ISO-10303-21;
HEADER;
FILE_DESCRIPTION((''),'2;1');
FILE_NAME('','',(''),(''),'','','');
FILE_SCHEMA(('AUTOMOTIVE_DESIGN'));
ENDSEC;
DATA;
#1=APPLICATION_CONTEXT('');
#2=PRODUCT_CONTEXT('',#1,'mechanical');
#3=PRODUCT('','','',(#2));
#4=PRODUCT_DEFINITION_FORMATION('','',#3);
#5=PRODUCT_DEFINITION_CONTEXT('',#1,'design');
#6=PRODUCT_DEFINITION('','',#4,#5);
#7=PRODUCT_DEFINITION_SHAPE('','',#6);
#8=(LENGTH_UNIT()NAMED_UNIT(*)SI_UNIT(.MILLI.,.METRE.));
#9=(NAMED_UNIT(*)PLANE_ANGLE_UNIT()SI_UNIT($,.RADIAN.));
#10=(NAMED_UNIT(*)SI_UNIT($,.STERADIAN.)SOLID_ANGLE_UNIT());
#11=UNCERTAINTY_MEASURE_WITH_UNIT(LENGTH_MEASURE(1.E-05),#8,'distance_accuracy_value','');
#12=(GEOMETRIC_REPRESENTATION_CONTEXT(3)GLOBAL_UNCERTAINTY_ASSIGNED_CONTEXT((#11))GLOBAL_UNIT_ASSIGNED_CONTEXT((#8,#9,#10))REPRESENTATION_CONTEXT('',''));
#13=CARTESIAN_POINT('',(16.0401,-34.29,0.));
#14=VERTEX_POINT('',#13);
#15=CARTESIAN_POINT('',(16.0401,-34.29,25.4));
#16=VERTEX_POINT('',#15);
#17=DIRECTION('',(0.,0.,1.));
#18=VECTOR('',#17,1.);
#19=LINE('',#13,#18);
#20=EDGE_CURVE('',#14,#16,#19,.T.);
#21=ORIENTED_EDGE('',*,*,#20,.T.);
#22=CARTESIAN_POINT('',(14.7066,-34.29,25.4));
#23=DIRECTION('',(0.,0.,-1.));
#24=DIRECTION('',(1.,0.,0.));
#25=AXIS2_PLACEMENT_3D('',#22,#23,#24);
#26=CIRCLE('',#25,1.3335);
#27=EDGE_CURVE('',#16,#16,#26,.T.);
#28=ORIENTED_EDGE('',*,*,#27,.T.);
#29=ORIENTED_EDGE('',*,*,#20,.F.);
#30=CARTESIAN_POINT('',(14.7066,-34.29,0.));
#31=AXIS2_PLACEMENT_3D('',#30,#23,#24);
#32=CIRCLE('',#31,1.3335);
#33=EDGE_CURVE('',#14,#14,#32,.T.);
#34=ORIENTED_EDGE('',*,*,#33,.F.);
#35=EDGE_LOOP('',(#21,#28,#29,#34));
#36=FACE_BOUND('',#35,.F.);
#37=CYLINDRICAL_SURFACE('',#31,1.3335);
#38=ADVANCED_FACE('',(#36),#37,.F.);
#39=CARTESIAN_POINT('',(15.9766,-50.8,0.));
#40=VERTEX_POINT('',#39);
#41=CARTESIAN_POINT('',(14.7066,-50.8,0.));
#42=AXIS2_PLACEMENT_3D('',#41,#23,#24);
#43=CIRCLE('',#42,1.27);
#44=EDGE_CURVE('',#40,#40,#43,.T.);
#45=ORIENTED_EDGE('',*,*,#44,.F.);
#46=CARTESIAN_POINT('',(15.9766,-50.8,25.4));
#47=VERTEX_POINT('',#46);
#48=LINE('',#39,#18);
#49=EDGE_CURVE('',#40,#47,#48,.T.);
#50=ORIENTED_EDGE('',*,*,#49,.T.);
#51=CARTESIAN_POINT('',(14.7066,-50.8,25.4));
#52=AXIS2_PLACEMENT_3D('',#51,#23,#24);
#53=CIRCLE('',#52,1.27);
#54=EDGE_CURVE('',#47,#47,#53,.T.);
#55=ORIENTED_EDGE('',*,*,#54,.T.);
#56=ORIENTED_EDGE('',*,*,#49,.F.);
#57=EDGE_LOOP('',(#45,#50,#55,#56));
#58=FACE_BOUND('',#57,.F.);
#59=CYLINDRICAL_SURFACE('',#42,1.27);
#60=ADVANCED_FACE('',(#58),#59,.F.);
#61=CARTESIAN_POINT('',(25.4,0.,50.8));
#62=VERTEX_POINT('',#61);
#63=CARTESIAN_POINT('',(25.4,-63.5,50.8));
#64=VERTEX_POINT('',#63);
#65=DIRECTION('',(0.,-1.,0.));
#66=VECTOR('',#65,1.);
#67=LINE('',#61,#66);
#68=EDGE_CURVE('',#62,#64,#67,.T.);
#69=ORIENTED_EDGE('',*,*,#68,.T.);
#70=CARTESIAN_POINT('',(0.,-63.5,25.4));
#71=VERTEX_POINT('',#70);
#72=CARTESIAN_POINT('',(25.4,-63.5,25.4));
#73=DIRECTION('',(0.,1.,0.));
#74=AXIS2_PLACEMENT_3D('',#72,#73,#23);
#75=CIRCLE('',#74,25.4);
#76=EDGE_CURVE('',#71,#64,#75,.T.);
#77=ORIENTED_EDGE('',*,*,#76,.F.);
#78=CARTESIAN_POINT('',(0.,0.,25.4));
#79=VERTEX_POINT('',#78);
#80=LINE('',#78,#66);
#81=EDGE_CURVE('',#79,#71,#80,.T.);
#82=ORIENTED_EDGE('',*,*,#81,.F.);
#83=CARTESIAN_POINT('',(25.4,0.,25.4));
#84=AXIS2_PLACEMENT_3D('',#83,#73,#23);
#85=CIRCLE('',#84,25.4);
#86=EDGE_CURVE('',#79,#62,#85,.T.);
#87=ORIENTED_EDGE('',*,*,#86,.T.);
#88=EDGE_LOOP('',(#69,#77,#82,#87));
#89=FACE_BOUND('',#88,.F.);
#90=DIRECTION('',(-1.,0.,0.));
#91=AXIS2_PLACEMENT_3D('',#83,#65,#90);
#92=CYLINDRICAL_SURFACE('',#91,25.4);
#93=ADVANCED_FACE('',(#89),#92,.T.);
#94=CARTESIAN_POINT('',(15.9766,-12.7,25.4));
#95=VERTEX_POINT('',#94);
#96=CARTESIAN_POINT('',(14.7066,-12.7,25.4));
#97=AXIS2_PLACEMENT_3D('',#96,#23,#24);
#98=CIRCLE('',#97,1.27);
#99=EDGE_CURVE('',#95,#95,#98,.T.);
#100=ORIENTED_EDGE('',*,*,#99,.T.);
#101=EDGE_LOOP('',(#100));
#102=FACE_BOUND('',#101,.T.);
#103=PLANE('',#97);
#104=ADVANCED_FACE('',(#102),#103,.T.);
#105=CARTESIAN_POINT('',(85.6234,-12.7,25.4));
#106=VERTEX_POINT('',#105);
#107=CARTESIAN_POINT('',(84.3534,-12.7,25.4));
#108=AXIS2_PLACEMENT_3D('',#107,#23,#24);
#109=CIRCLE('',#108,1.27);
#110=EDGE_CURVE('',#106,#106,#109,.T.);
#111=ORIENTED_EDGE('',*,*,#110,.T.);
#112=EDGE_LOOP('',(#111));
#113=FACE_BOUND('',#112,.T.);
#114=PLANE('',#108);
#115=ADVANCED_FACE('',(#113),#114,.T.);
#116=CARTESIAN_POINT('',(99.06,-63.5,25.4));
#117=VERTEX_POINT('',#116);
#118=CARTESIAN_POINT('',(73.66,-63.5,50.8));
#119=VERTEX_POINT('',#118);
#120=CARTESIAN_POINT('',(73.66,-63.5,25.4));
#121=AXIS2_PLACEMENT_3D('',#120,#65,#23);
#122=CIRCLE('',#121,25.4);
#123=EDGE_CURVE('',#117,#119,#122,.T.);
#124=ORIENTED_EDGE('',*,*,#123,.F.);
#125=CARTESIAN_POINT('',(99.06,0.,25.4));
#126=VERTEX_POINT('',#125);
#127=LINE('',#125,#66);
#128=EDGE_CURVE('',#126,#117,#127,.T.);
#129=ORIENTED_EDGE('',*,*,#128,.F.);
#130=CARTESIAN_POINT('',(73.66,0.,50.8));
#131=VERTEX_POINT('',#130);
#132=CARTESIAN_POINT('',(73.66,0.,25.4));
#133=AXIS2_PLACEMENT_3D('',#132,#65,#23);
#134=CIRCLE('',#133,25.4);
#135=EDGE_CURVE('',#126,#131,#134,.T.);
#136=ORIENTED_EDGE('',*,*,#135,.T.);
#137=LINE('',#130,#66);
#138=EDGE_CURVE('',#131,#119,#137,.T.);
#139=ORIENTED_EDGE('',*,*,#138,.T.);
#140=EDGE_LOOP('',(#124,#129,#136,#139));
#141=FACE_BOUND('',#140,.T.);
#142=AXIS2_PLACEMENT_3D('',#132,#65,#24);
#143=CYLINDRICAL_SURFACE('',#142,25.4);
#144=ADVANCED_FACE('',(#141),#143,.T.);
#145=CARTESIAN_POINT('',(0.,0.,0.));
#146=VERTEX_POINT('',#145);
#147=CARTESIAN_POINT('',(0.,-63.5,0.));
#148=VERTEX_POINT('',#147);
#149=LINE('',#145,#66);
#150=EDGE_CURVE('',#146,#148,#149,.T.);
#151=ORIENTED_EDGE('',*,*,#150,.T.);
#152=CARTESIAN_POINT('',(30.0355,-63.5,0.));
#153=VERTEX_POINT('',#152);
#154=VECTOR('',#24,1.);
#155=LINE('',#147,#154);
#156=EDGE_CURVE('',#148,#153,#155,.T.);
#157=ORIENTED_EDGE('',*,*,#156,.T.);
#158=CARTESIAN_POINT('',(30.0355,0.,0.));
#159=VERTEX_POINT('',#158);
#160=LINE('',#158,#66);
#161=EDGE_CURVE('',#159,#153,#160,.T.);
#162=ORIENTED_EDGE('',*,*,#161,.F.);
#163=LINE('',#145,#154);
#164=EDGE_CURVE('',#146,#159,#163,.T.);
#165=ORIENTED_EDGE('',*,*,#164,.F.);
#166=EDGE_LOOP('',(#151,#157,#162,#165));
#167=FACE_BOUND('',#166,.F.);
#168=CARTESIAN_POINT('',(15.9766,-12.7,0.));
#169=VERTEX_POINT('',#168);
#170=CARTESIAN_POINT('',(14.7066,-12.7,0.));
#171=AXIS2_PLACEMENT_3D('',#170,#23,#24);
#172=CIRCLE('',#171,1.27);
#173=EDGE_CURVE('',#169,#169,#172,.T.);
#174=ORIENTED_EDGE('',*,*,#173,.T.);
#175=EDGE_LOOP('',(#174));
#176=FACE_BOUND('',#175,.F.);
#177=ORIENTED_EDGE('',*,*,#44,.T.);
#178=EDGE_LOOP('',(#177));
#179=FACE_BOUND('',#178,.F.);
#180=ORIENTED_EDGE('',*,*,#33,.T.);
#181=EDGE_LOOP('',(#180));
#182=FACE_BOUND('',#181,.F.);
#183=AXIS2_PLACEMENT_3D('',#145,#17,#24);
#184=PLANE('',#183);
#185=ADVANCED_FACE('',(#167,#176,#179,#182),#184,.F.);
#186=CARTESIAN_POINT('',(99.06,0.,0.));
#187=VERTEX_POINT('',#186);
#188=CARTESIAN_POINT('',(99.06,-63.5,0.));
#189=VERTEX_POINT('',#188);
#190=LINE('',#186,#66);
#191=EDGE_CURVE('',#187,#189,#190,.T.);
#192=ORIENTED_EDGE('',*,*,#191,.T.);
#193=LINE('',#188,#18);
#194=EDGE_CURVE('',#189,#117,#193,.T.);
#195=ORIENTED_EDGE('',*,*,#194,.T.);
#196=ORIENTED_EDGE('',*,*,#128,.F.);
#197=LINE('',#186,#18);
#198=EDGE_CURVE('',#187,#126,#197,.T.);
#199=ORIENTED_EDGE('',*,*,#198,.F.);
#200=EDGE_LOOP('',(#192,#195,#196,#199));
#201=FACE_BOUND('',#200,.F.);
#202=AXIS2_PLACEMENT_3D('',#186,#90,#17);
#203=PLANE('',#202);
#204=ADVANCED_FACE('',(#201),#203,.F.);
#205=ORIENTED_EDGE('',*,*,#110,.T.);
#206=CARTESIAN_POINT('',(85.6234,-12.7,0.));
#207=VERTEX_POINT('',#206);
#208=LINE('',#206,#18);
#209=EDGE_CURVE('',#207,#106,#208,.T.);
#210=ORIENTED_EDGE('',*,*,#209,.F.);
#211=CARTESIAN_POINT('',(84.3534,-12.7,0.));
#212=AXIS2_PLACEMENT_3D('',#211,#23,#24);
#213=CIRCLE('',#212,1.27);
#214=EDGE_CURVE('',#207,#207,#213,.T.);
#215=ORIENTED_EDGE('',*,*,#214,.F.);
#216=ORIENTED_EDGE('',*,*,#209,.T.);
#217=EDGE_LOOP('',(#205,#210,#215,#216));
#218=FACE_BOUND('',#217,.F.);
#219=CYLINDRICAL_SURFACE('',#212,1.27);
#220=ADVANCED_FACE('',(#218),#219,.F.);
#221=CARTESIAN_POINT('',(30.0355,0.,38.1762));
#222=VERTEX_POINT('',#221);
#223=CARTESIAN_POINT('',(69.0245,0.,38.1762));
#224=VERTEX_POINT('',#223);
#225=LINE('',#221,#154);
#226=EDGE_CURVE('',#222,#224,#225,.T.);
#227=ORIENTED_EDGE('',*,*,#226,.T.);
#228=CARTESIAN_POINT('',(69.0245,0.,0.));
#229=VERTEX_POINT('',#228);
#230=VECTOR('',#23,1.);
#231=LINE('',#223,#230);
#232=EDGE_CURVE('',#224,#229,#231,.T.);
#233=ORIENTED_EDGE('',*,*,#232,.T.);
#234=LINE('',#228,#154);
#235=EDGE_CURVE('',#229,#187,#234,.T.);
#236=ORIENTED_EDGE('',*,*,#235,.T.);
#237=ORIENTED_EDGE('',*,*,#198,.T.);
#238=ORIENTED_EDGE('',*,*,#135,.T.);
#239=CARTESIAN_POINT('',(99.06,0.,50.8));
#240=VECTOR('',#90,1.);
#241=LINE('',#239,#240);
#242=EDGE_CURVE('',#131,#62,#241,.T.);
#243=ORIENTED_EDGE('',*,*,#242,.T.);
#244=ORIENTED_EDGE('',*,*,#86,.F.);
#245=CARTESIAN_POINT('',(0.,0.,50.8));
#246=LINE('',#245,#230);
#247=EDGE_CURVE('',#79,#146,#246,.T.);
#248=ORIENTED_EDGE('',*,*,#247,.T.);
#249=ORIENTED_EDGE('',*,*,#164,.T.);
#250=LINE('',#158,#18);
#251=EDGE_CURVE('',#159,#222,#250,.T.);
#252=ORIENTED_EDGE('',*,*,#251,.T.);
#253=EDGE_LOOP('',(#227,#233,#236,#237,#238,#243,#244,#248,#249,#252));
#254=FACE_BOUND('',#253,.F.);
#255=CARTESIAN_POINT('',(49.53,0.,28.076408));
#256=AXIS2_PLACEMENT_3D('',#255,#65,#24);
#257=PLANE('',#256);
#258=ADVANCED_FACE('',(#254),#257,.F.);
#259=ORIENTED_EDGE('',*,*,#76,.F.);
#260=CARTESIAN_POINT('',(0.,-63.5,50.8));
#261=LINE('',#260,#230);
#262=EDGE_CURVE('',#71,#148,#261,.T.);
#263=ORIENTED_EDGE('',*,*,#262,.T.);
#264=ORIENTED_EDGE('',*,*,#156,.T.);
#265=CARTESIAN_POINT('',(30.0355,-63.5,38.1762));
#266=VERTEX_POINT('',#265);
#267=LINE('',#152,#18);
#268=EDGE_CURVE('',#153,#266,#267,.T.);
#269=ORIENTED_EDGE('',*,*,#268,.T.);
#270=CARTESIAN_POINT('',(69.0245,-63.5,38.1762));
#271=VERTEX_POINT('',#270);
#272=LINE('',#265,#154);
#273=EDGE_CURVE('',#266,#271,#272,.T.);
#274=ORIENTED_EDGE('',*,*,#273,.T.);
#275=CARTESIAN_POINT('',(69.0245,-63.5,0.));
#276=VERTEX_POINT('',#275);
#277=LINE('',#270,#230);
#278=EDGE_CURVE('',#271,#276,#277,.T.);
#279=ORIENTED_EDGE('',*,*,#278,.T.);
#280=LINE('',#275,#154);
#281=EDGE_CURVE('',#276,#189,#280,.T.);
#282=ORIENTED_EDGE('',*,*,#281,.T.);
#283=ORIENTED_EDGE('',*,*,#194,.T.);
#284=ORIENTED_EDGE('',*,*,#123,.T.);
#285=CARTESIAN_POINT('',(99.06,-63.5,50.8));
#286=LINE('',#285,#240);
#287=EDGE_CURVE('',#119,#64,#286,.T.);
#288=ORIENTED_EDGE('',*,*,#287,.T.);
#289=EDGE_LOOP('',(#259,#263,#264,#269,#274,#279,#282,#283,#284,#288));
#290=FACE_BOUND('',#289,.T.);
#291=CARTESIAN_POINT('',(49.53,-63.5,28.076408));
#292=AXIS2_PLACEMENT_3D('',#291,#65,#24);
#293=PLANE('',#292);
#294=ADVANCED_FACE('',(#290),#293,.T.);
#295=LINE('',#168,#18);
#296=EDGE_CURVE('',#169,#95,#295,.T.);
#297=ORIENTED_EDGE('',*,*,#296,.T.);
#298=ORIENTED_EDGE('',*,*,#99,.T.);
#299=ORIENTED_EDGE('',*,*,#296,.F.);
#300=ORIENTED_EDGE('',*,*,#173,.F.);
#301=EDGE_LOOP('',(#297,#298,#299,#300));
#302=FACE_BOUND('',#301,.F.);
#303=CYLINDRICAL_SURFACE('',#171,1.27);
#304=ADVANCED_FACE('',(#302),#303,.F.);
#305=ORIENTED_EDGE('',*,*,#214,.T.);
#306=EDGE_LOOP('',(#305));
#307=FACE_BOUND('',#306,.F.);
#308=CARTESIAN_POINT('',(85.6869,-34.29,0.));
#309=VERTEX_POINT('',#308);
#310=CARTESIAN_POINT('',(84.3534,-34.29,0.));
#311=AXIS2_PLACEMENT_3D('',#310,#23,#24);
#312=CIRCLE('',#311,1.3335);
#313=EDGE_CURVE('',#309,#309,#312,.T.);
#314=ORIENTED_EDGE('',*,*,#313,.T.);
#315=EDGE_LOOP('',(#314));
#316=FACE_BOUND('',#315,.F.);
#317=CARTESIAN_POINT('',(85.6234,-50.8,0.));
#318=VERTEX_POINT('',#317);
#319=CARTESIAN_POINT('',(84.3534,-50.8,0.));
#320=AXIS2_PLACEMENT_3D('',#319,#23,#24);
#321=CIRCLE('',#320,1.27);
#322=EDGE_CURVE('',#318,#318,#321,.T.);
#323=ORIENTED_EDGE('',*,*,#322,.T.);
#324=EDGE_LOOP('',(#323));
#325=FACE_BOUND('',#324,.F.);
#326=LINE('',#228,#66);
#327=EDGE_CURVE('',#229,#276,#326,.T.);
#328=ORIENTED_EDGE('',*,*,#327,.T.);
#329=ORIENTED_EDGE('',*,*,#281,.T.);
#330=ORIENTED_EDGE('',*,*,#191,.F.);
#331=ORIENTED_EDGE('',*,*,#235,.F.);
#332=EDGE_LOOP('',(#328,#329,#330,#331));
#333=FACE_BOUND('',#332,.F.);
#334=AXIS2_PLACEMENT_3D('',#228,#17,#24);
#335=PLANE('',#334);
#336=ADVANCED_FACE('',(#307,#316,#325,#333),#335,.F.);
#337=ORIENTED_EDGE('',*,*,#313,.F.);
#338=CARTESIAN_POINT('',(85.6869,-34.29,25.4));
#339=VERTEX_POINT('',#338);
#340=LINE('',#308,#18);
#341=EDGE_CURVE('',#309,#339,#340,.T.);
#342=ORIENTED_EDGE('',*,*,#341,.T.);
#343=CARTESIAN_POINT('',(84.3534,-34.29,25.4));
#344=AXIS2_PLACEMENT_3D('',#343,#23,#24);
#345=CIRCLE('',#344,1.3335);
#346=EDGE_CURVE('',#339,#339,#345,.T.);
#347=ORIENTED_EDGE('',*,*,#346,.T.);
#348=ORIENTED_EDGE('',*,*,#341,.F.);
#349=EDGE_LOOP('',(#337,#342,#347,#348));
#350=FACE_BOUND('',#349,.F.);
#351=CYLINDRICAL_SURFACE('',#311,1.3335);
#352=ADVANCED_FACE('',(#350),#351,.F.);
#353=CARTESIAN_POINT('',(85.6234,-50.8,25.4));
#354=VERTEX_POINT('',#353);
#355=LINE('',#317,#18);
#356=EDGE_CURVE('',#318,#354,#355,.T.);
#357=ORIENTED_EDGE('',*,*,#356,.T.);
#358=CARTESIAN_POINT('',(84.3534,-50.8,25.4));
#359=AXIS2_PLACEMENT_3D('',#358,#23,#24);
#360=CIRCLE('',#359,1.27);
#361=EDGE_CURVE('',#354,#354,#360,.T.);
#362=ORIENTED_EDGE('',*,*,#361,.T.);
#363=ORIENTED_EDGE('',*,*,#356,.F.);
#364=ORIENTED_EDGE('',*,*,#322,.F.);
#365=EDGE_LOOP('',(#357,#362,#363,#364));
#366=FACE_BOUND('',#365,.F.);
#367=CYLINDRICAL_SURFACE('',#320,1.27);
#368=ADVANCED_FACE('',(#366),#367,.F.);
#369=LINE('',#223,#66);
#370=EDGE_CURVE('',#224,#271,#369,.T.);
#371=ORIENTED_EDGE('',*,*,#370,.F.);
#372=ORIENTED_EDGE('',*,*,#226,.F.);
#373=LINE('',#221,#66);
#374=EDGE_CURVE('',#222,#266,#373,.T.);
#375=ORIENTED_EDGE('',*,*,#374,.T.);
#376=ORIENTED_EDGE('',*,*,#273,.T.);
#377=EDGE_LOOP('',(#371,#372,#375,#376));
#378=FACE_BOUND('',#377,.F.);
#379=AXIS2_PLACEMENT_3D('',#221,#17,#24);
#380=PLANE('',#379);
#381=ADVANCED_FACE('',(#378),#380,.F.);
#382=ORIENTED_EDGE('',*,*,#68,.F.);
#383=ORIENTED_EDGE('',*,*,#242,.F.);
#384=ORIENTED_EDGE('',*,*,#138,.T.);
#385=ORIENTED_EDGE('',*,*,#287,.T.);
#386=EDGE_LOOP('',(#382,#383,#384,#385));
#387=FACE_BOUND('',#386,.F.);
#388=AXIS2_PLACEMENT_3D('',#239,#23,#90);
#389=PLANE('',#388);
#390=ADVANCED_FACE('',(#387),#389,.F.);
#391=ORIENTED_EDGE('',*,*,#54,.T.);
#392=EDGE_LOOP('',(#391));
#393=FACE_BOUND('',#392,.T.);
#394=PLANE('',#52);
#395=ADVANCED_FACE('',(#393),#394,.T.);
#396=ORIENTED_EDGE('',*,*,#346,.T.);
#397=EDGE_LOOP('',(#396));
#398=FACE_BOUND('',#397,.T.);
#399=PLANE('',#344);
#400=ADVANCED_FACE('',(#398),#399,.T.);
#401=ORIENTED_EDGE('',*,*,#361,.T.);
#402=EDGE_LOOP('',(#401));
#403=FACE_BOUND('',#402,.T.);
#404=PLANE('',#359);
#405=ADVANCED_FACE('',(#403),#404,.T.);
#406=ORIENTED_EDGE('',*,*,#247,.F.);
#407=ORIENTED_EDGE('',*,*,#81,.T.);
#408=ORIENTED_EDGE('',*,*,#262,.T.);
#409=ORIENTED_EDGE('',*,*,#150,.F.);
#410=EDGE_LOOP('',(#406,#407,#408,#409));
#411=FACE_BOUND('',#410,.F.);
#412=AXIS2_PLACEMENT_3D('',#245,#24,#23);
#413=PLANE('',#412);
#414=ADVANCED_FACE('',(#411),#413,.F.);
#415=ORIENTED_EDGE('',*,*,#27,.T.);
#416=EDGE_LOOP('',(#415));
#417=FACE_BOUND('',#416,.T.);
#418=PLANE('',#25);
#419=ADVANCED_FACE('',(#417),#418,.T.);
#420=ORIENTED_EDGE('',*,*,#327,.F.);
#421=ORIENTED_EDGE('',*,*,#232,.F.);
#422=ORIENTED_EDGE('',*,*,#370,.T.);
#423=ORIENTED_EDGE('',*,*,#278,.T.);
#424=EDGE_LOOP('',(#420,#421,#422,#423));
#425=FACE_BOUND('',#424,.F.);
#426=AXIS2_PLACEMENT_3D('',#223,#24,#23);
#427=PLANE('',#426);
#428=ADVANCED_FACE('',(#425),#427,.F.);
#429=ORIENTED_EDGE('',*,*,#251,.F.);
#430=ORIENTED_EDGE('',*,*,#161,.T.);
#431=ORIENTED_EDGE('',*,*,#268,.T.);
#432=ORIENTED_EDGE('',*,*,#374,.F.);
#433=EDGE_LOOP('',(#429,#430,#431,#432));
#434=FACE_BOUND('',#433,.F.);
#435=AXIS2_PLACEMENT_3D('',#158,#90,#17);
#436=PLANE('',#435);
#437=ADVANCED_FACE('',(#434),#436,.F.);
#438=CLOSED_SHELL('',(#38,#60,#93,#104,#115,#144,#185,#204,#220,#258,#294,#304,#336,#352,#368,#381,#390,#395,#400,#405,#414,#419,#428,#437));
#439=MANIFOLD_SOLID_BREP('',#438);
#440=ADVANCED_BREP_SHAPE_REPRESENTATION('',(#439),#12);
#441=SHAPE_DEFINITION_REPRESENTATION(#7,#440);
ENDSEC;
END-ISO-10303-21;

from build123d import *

# Parameters (mm, degrees)
F1_DEPTH = 63.5
F2_R     = 25.4
F3_R     = 1.3335
F3_R_2   = 1.27
F4_DEPTH = 25.4


with BuildPart() as f1:
    # F0 (on Front) → F1 (new body)
    with BuildSketch(Plane.XZ):
        Polygon((0, 50.8), (0, 0), (30.0355, 0), (30.0355, 38.1762), (69.0245, 38.1762), (69.0245, 0), (99.06, 0), (99.06, 50.8), align=None)
    extrude(amount=F1_DEPTH)

    # F2
    f2_edges = [f1.edges().sort_by_distance(p)[0] for p in [
        (99.06, -31.75, 50.8),
        (0, -31.75, 50.8),
    ]]
    fillet(f2_edges, radius=F2_R)

    # F3 (on face) → F4 (cut)
    with BuildSketch(Plane(origin=(0, 0, 0), x_dir=(1, 0, 0), z_dir=(0, 0, -1))):
        with Locations((14.7066, 34.29)):
            Circle(F3_R)
        with Locations((84.3534, 34.29)):
            Circle(F3_R)
        with Locations((14.7066, 12.7)):
            Circle(F3_R_2)
        with Locations((84.3534, 12.7)):
            Circle(F3_R_2)
        with Locations((84.3534, 50.8)):
            Circle(F3_R_2)
        with Locations((14.7066, 50.8)):
            Circle(F3_R_2)
    extrude(amount=-F4_DEPTH, mode=Mode.SUBTRACT)


solid = f1.part
